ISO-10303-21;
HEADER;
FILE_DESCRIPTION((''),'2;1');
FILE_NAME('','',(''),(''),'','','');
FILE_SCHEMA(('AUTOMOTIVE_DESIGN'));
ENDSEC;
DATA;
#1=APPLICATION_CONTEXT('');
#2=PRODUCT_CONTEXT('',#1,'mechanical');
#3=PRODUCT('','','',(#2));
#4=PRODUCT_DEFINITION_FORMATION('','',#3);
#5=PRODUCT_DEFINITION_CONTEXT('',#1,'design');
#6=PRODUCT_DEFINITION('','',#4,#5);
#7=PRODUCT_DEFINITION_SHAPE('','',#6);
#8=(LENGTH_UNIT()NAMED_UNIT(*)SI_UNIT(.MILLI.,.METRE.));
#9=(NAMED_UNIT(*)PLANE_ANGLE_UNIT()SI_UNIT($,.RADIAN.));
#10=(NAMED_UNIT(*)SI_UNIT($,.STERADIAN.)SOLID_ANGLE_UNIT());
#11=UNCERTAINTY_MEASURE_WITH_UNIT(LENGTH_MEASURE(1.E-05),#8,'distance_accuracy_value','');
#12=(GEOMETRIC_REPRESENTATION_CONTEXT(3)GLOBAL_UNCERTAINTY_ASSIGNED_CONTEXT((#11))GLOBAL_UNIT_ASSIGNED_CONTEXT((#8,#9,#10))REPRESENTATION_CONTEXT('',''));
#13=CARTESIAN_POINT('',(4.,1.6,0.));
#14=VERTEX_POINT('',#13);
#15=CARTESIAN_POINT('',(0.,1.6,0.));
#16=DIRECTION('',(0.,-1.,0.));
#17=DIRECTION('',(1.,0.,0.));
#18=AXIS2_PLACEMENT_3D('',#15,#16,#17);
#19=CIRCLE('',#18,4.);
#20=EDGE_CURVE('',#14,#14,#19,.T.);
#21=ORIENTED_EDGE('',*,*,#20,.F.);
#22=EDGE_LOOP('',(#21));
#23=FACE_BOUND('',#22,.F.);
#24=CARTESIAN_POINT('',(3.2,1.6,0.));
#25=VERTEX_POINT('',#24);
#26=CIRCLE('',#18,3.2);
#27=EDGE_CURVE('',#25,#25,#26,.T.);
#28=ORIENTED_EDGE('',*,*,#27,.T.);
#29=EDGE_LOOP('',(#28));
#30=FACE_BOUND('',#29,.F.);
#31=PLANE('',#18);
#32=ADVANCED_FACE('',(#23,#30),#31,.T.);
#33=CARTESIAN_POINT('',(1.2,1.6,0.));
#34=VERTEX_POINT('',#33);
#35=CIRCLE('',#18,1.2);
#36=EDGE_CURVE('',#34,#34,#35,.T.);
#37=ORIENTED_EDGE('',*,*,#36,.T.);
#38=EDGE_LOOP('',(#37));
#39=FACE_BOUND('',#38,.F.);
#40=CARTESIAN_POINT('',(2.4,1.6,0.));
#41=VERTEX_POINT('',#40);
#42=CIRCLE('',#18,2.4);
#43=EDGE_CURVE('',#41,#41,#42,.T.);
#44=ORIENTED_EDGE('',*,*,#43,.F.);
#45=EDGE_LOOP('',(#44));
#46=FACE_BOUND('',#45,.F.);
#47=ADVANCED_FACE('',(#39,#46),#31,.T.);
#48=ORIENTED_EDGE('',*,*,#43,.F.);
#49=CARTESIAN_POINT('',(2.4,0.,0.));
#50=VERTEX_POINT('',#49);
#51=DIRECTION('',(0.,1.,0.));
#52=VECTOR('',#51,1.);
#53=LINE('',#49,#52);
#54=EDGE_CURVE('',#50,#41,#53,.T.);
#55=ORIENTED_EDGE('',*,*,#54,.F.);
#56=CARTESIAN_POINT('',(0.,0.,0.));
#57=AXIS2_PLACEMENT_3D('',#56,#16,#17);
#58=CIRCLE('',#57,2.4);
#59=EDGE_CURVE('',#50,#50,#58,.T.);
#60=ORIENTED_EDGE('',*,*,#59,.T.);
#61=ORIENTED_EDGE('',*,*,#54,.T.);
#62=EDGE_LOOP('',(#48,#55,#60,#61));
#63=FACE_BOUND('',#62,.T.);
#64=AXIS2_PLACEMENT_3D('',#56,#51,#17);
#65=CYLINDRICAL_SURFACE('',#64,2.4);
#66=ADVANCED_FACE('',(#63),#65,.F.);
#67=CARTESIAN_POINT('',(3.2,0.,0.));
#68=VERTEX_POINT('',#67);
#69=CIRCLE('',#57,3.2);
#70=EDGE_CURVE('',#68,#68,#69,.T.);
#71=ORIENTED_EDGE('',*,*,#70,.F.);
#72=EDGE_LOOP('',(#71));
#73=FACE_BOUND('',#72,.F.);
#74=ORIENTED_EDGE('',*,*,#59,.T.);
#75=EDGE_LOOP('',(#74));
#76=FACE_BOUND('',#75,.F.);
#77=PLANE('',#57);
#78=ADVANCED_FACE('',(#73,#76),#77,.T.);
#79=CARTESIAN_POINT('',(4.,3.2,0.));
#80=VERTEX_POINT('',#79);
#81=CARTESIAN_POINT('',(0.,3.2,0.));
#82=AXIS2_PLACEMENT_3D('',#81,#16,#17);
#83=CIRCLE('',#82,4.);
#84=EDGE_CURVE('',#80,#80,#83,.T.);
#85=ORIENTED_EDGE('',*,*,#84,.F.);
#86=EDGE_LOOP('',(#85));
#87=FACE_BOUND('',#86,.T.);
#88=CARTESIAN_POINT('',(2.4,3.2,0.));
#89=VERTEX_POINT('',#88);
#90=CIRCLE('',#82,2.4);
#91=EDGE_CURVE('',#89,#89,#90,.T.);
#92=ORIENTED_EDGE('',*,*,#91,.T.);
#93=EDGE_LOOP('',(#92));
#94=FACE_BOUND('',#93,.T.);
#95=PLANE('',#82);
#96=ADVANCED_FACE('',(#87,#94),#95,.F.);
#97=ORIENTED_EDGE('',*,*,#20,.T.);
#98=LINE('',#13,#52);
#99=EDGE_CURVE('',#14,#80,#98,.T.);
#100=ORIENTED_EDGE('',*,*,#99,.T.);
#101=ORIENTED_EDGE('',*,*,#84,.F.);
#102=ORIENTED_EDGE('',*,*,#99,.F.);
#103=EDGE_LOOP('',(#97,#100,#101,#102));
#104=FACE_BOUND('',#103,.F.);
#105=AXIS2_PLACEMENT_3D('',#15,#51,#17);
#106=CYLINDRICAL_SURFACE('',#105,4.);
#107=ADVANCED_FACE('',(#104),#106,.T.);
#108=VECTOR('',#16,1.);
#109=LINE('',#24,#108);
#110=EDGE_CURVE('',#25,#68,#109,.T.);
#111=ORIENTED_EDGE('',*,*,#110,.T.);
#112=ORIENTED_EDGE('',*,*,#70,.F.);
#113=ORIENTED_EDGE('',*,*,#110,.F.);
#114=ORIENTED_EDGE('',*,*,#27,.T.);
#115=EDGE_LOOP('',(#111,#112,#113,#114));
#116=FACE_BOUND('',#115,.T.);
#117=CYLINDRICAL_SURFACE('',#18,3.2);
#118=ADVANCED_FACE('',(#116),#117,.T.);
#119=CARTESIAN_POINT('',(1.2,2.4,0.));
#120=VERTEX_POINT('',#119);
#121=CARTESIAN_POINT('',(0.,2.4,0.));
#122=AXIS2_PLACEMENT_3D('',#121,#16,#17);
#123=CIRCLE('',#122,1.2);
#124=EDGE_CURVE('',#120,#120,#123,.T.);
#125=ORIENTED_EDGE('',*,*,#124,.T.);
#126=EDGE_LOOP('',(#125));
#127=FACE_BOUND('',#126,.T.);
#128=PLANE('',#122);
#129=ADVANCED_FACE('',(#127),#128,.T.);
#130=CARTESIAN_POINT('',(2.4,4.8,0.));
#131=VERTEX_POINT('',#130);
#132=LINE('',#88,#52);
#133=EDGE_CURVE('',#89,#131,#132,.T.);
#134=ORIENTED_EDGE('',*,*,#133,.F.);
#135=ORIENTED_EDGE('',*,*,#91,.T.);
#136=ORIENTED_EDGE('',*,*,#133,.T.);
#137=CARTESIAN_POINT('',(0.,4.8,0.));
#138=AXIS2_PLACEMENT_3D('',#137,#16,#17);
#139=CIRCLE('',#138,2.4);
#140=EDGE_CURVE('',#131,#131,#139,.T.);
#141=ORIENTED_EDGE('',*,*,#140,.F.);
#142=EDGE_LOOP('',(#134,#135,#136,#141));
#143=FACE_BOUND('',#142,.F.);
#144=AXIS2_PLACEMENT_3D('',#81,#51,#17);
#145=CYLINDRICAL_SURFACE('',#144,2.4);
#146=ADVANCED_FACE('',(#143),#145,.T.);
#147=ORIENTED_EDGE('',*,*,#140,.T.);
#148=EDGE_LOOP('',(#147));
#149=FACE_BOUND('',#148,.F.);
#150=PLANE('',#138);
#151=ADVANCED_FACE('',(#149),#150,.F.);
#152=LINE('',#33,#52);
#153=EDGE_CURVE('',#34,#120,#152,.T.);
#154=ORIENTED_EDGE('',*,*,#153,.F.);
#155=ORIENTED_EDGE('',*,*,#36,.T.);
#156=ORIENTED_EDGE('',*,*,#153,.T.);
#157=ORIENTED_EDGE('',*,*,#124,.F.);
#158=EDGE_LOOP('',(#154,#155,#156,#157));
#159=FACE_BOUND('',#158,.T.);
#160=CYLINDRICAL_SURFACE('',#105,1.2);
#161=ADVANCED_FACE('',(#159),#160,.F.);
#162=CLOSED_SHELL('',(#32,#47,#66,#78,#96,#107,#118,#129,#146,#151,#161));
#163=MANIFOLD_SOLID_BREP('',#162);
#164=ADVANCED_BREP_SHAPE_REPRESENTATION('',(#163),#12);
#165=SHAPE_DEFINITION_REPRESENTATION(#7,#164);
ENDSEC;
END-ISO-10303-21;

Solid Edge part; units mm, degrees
sketch "Sketch1" plane through (0, 0, 0) normal (0, 0, 1) x (1, 0, 0)
  line L0 (2.4, 0) -> (2.4, 1.6)
  line L1 (1.2, 1.6) -> (2.4, 1.6)
  line L2 (1.2, 1.6) -> (1.2, 2.4)
  line L3 (1.2, 2.4) -> (0, 2.4)
  line L4 (0, 4.8) -> (0, 2.4)
  line L5 (2.4, 4.8) -> (0, 4.8)
  line L6 (2.4, 3.2) -> (2.4, 4.8)
  line L7 (2.4, 3.2) -> (4, 3.2)
  line L8 (4, 1.6) -> (4, 3.2)
  line L9 (3.2, 1.6) -> (4, 1.6)
  line L10 (3.2, 1.6) -> (3.2, 0)
  line L11 (2.4, 0) -> (3.2, 0)
revolve "RevolvedProtrusion1" add sketch "Sketch1" angle 360 about axis through (0, 54, 0) along (0, -1, 0)
